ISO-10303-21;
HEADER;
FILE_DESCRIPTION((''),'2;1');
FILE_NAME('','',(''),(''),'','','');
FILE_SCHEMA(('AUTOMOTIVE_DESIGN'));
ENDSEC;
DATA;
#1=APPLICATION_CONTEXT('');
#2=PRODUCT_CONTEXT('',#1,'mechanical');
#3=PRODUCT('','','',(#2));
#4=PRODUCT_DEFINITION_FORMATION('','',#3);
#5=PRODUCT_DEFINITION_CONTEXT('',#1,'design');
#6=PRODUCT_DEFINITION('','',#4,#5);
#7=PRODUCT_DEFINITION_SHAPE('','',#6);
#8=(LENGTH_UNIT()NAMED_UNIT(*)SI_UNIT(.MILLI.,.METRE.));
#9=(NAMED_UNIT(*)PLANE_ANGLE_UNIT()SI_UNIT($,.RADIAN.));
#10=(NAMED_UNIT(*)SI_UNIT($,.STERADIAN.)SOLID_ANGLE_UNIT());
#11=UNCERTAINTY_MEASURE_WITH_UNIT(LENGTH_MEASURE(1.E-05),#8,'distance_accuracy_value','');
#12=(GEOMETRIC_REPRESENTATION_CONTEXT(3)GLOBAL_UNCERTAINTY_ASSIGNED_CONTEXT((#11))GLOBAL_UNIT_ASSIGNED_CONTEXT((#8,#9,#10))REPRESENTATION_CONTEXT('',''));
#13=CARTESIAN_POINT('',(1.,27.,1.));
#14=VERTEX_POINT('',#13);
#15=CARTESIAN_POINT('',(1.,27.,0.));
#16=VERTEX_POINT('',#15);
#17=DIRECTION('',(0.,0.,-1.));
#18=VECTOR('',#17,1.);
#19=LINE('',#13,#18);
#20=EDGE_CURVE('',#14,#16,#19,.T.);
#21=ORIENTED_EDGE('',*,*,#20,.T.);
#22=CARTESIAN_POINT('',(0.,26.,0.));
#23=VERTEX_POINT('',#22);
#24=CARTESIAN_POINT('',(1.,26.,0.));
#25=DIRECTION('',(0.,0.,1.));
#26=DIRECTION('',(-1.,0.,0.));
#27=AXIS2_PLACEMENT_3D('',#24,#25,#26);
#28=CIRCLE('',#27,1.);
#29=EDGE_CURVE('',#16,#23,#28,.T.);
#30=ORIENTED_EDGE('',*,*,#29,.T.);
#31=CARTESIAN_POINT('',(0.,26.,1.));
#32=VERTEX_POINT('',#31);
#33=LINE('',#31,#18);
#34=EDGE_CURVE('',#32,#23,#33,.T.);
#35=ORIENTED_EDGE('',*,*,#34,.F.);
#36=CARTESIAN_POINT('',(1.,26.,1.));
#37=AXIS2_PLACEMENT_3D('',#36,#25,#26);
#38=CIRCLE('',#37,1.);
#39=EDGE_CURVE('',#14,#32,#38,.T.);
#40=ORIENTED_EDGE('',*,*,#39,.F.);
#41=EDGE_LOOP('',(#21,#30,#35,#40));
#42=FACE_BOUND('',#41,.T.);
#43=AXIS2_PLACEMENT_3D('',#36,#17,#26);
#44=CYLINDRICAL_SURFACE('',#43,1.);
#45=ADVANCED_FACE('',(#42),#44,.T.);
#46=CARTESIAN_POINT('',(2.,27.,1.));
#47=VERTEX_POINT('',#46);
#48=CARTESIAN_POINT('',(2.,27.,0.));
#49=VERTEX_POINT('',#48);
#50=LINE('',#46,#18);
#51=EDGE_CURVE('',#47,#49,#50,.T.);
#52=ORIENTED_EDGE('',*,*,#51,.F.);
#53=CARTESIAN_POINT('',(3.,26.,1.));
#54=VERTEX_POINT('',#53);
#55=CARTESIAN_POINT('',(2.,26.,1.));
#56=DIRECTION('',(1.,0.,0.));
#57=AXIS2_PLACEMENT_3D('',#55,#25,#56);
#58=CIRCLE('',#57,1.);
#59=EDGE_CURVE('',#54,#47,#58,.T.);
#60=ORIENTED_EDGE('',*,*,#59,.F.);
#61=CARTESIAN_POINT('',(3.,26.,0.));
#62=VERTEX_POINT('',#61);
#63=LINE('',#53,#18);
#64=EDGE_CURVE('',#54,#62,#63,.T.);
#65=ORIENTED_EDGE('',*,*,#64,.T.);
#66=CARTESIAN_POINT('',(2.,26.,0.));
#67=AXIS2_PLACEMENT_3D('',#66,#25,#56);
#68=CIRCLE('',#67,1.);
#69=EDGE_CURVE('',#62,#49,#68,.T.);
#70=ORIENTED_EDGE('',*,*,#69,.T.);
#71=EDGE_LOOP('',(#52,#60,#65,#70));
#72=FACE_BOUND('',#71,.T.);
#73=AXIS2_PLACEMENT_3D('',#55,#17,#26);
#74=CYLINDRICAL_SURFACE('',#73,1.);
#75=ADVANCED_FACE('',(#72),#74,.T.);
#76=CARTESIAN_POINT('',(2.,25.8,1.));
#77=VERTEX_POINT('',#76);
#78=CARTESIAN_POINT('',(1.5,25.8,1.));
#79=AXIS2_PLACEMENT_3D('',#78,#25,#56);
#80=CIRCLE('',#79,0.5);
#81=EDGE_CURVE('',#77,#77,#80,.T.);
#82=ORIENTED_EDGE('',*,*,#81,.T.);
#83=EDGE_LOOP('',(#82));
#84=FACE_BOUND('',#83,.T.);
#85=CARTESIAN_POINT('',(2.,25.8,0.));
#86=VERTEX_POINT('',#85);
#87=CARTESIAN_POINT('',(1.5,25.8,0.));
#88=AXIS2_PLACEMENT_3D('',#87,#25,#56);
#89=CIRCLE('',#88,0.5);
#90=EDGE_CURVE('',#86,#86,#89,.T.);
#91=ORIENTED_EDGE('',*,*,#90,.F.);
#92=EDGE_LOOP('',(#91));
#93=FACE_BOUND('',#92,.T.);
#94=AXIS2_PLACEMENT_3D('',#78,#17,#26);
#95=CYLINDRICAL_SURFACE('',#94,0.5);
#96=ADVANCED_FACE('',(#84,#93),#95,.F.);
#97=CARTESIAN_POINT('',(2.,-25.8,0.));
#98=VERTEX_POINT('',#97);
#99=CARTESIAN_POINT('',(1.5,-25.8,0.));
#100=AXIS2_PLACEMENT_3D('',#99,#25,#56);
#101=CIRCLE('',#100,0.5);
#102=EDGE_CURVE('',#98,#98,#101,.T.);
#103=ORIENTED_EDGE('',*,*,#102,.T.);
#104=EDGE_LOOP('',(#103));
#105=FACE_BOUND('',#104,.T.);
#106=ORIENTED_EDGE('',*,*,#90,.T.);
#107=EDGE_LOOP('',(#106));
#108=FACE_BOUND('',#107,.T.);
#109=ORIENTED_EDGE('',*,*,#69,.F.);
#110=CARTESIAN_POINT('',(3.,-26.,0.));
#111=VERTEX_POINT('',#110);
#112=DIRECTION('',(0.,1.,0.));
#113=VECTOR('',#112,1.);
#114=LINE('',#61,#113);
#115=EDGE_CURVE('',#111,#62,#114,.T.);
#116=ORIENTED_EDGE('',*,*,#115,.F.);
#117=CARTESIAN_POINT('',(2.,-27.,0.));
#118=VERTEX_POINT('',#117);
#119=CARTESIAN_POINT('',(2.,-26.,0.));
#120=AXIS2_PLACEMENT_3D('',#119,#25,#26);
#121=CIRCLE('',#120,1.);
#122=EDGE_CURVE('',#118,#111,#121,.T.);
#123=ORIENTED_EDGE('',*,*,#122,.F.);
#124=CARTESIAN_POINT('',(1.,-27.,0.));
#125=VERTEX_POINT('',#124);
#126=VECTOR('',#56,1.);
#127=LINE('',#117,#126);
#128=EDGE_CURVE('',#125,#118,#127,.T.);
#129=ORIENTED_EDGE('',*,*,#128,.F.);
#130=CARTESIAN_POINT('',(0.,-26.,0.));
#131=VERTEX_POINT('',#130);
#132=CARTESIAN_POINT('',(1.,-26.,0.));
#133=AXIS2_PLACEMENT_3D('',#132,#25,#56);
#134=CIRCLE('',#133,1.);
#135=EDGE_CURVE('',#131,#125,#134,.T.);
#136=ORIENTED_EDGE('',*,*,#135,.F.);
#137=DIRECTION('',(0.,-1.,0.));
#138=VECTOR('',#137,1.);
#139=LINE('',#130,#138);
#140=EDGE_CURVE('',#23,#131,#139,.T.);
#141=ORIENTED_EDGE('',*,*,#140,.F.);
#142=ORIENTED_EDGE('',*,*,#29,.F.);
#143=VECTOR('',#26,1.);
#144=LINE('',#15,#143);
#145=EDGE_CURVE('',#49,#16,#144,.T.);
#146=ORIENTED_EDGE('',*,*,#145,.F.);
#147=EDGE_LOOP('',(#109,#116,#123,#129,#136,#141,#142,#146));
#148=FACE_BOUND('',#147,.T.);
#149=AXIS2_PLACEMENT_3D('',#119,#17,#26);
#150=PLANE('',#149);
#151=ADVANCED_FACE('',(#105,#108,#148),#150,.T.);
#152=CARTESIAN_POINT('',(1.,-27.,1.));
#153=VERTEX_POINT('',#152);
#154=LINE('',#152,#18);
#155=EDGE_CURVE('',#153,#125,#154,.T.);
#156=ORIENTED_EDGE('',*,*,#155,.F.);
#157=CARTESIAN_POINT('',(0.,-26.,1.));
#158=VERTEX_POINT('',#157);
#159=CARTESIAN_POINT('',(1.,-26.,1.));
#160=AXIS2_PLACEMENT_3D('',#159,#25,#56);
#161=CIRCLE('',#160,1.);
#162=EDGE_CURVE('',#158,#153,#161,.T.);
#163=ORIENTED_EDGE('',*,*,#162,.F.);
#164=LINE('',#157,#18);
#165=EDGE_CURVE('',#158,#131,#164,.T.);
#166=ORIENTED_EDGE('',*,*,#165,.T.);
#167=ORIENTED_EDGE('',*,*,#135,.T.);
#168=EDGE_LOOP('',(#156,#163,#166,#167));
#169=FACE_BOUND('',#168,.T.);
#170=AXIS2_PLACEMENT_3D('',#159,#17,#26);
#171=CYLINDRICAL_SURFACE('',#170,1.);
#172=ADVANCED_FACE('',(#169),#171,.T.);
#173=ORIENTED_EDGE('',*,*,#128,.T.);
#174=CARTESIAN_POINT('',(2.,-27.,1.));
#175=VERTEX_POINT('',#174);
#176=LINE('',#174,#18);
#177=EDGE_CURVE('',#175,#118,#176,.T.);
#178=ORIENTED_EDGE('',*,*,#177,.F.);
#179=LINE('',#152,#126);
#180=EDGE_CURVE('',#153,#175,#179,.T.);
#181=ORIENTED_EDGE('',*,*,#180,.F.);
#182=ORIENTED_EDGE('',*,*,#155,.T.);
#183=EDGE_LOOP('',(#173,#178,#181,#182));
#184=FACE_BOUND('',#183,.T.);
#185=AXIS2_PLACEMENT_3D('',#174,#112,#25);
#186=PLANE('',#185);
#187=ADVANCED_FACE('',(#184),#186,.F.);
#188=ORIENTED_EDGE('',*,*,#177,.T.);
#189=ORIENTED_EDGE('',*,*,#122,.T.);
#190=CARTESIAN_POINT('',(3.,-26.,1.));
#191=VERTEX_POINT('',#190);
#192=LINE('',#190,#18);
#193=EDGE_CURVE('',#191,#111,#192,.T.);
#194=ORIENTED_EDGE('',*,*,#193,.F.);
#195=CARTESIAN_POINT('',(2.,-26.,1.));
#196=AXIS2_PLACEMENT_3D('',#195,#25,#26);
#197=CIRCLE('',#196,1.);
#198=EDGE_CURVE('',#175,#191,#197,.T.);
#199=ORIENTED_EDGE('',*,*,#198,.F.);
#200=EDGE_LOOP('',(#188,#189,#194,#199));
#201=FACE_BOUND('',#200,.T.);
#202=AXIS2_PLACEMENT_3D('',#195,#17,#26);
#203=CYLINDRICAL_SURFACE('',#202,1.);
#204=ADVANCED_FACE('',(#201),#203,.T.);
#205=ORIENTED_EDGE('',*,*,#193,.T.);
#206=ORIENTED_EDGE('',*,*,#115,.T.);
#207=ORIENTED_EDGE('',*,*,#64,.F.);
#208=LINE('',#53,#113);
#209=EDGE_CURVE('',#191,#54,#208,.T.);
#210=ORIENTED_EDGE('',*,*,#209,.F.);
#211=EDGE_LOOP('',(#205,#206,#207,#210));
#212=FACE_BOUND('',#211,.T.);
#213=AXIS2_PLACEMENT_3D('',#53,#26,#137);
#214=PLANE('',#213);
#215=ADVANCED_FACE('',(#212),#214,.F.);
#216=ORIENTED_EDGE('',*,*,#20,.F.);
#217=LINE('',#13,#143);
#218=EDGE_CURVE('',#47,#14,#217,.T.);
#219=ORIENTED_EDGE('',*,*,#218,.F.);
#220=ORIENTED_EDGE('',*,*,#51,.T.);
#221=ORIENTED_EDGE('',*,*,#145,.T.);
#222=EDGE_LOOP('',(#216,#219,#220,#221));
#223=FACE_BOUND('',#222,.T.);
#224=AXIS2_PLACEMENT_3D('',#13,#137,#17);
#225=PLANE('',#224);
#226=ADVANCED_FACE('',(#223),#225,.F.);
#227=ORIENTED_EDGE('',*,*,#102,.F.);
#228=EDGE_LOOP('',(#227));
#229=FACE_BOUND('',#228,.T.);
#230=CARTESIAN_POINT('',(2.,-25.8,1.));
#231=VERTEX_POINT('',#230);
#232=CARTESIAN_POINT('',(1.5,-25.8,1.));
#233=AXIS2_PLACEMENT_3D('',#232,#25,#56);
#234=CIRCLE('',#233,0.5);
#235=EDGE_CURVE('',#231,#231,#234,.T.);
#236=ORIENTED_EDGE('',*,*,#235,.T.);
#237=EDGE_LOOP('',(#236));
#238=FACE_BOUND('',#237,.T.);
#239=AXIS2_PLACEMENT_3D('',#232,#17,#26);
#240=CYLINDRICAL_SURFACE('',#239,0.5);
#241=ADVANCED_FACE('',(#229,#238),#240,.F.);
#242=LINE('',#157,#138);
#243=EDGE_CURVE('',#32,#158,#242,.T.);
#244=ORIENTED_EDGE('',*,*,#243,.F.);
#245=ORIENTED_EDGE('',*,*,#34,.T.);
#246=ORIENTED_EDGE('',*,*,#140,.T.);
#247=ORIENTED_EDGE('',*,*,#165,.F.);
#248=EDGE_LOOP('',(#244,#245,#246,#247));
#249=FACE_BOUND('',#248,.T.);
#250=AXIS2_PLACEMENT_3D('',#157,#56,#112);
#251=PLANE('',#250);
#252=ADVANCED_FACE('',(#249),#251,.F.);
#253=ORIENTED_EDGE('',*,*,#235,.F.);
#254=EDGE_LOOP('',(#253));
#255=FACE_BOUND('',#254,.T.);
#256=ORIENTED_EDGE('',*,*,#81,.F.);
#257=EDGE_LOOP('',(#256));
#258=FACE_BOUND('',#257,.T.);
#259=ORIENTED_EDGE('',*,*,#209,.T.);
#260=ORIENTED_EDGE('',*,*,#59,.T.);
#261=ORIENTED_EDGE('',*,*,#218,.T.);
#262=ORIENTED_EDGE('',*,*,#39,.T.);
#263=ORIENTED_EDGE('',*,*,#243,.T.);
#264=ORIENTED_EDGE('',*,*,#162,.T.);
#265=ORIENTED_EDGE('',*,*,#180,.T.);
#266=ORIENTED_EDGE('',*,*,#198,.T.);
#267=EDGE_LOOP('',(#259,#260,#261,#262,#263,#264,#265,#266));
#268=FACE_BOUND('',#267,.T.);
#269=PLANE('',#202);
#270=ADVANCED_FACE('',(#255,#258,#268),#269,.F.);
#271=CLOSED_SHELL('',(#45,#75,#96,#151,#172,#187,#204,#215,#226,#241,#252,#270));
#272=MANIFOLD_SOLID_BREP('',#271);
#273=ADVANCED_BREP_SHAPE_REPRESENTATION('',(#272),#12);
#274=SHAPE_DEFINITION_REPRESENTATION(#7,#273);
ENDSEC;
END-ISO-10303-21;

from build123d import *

# Parameters (mm, degrees)
SKETCH1_R           = 0.5
BOSS_EXTRUDE1_DEPTH = 1


with BuildPart() as part:
    # Sketch1 → Boss-Extrude1 (new body)
    with BuildSketch(Plane.XY):
        with BuildLine():
            Line((1, 27), (2, 27))
            ThreePointArc((2, 27), (2.707106781, 26.707106781), (3, 26))
            Line((3, 26), (3, -26))
            ThreePointArc((3, -26), (2.707106781, -26.707106781), (2, -27))
            Line((2, -27), (1.5, -27))
            Line((1.5, -27), (1, -27))
            ThreePointArc((1, -27), (0.292893219, -26.707106781), (0, -26))
            Line((0, -26), (0, 26))
            ThreePointArc((0, 26), (0.292893219, 26.707106781), (1, 27))
        make_face()
        with Locations((1.5, 25.8)):
            Circle(SKETCH1_R, mode=Mode.SUBTRACT)
        with Locations((1.5, -25.8)):
            Circle(SKETCH1_R, mode=Mode.SUBTRACT)
    extrude(amount=BOSS_EXTRUDE1_DEPTH)


solid = part.part
